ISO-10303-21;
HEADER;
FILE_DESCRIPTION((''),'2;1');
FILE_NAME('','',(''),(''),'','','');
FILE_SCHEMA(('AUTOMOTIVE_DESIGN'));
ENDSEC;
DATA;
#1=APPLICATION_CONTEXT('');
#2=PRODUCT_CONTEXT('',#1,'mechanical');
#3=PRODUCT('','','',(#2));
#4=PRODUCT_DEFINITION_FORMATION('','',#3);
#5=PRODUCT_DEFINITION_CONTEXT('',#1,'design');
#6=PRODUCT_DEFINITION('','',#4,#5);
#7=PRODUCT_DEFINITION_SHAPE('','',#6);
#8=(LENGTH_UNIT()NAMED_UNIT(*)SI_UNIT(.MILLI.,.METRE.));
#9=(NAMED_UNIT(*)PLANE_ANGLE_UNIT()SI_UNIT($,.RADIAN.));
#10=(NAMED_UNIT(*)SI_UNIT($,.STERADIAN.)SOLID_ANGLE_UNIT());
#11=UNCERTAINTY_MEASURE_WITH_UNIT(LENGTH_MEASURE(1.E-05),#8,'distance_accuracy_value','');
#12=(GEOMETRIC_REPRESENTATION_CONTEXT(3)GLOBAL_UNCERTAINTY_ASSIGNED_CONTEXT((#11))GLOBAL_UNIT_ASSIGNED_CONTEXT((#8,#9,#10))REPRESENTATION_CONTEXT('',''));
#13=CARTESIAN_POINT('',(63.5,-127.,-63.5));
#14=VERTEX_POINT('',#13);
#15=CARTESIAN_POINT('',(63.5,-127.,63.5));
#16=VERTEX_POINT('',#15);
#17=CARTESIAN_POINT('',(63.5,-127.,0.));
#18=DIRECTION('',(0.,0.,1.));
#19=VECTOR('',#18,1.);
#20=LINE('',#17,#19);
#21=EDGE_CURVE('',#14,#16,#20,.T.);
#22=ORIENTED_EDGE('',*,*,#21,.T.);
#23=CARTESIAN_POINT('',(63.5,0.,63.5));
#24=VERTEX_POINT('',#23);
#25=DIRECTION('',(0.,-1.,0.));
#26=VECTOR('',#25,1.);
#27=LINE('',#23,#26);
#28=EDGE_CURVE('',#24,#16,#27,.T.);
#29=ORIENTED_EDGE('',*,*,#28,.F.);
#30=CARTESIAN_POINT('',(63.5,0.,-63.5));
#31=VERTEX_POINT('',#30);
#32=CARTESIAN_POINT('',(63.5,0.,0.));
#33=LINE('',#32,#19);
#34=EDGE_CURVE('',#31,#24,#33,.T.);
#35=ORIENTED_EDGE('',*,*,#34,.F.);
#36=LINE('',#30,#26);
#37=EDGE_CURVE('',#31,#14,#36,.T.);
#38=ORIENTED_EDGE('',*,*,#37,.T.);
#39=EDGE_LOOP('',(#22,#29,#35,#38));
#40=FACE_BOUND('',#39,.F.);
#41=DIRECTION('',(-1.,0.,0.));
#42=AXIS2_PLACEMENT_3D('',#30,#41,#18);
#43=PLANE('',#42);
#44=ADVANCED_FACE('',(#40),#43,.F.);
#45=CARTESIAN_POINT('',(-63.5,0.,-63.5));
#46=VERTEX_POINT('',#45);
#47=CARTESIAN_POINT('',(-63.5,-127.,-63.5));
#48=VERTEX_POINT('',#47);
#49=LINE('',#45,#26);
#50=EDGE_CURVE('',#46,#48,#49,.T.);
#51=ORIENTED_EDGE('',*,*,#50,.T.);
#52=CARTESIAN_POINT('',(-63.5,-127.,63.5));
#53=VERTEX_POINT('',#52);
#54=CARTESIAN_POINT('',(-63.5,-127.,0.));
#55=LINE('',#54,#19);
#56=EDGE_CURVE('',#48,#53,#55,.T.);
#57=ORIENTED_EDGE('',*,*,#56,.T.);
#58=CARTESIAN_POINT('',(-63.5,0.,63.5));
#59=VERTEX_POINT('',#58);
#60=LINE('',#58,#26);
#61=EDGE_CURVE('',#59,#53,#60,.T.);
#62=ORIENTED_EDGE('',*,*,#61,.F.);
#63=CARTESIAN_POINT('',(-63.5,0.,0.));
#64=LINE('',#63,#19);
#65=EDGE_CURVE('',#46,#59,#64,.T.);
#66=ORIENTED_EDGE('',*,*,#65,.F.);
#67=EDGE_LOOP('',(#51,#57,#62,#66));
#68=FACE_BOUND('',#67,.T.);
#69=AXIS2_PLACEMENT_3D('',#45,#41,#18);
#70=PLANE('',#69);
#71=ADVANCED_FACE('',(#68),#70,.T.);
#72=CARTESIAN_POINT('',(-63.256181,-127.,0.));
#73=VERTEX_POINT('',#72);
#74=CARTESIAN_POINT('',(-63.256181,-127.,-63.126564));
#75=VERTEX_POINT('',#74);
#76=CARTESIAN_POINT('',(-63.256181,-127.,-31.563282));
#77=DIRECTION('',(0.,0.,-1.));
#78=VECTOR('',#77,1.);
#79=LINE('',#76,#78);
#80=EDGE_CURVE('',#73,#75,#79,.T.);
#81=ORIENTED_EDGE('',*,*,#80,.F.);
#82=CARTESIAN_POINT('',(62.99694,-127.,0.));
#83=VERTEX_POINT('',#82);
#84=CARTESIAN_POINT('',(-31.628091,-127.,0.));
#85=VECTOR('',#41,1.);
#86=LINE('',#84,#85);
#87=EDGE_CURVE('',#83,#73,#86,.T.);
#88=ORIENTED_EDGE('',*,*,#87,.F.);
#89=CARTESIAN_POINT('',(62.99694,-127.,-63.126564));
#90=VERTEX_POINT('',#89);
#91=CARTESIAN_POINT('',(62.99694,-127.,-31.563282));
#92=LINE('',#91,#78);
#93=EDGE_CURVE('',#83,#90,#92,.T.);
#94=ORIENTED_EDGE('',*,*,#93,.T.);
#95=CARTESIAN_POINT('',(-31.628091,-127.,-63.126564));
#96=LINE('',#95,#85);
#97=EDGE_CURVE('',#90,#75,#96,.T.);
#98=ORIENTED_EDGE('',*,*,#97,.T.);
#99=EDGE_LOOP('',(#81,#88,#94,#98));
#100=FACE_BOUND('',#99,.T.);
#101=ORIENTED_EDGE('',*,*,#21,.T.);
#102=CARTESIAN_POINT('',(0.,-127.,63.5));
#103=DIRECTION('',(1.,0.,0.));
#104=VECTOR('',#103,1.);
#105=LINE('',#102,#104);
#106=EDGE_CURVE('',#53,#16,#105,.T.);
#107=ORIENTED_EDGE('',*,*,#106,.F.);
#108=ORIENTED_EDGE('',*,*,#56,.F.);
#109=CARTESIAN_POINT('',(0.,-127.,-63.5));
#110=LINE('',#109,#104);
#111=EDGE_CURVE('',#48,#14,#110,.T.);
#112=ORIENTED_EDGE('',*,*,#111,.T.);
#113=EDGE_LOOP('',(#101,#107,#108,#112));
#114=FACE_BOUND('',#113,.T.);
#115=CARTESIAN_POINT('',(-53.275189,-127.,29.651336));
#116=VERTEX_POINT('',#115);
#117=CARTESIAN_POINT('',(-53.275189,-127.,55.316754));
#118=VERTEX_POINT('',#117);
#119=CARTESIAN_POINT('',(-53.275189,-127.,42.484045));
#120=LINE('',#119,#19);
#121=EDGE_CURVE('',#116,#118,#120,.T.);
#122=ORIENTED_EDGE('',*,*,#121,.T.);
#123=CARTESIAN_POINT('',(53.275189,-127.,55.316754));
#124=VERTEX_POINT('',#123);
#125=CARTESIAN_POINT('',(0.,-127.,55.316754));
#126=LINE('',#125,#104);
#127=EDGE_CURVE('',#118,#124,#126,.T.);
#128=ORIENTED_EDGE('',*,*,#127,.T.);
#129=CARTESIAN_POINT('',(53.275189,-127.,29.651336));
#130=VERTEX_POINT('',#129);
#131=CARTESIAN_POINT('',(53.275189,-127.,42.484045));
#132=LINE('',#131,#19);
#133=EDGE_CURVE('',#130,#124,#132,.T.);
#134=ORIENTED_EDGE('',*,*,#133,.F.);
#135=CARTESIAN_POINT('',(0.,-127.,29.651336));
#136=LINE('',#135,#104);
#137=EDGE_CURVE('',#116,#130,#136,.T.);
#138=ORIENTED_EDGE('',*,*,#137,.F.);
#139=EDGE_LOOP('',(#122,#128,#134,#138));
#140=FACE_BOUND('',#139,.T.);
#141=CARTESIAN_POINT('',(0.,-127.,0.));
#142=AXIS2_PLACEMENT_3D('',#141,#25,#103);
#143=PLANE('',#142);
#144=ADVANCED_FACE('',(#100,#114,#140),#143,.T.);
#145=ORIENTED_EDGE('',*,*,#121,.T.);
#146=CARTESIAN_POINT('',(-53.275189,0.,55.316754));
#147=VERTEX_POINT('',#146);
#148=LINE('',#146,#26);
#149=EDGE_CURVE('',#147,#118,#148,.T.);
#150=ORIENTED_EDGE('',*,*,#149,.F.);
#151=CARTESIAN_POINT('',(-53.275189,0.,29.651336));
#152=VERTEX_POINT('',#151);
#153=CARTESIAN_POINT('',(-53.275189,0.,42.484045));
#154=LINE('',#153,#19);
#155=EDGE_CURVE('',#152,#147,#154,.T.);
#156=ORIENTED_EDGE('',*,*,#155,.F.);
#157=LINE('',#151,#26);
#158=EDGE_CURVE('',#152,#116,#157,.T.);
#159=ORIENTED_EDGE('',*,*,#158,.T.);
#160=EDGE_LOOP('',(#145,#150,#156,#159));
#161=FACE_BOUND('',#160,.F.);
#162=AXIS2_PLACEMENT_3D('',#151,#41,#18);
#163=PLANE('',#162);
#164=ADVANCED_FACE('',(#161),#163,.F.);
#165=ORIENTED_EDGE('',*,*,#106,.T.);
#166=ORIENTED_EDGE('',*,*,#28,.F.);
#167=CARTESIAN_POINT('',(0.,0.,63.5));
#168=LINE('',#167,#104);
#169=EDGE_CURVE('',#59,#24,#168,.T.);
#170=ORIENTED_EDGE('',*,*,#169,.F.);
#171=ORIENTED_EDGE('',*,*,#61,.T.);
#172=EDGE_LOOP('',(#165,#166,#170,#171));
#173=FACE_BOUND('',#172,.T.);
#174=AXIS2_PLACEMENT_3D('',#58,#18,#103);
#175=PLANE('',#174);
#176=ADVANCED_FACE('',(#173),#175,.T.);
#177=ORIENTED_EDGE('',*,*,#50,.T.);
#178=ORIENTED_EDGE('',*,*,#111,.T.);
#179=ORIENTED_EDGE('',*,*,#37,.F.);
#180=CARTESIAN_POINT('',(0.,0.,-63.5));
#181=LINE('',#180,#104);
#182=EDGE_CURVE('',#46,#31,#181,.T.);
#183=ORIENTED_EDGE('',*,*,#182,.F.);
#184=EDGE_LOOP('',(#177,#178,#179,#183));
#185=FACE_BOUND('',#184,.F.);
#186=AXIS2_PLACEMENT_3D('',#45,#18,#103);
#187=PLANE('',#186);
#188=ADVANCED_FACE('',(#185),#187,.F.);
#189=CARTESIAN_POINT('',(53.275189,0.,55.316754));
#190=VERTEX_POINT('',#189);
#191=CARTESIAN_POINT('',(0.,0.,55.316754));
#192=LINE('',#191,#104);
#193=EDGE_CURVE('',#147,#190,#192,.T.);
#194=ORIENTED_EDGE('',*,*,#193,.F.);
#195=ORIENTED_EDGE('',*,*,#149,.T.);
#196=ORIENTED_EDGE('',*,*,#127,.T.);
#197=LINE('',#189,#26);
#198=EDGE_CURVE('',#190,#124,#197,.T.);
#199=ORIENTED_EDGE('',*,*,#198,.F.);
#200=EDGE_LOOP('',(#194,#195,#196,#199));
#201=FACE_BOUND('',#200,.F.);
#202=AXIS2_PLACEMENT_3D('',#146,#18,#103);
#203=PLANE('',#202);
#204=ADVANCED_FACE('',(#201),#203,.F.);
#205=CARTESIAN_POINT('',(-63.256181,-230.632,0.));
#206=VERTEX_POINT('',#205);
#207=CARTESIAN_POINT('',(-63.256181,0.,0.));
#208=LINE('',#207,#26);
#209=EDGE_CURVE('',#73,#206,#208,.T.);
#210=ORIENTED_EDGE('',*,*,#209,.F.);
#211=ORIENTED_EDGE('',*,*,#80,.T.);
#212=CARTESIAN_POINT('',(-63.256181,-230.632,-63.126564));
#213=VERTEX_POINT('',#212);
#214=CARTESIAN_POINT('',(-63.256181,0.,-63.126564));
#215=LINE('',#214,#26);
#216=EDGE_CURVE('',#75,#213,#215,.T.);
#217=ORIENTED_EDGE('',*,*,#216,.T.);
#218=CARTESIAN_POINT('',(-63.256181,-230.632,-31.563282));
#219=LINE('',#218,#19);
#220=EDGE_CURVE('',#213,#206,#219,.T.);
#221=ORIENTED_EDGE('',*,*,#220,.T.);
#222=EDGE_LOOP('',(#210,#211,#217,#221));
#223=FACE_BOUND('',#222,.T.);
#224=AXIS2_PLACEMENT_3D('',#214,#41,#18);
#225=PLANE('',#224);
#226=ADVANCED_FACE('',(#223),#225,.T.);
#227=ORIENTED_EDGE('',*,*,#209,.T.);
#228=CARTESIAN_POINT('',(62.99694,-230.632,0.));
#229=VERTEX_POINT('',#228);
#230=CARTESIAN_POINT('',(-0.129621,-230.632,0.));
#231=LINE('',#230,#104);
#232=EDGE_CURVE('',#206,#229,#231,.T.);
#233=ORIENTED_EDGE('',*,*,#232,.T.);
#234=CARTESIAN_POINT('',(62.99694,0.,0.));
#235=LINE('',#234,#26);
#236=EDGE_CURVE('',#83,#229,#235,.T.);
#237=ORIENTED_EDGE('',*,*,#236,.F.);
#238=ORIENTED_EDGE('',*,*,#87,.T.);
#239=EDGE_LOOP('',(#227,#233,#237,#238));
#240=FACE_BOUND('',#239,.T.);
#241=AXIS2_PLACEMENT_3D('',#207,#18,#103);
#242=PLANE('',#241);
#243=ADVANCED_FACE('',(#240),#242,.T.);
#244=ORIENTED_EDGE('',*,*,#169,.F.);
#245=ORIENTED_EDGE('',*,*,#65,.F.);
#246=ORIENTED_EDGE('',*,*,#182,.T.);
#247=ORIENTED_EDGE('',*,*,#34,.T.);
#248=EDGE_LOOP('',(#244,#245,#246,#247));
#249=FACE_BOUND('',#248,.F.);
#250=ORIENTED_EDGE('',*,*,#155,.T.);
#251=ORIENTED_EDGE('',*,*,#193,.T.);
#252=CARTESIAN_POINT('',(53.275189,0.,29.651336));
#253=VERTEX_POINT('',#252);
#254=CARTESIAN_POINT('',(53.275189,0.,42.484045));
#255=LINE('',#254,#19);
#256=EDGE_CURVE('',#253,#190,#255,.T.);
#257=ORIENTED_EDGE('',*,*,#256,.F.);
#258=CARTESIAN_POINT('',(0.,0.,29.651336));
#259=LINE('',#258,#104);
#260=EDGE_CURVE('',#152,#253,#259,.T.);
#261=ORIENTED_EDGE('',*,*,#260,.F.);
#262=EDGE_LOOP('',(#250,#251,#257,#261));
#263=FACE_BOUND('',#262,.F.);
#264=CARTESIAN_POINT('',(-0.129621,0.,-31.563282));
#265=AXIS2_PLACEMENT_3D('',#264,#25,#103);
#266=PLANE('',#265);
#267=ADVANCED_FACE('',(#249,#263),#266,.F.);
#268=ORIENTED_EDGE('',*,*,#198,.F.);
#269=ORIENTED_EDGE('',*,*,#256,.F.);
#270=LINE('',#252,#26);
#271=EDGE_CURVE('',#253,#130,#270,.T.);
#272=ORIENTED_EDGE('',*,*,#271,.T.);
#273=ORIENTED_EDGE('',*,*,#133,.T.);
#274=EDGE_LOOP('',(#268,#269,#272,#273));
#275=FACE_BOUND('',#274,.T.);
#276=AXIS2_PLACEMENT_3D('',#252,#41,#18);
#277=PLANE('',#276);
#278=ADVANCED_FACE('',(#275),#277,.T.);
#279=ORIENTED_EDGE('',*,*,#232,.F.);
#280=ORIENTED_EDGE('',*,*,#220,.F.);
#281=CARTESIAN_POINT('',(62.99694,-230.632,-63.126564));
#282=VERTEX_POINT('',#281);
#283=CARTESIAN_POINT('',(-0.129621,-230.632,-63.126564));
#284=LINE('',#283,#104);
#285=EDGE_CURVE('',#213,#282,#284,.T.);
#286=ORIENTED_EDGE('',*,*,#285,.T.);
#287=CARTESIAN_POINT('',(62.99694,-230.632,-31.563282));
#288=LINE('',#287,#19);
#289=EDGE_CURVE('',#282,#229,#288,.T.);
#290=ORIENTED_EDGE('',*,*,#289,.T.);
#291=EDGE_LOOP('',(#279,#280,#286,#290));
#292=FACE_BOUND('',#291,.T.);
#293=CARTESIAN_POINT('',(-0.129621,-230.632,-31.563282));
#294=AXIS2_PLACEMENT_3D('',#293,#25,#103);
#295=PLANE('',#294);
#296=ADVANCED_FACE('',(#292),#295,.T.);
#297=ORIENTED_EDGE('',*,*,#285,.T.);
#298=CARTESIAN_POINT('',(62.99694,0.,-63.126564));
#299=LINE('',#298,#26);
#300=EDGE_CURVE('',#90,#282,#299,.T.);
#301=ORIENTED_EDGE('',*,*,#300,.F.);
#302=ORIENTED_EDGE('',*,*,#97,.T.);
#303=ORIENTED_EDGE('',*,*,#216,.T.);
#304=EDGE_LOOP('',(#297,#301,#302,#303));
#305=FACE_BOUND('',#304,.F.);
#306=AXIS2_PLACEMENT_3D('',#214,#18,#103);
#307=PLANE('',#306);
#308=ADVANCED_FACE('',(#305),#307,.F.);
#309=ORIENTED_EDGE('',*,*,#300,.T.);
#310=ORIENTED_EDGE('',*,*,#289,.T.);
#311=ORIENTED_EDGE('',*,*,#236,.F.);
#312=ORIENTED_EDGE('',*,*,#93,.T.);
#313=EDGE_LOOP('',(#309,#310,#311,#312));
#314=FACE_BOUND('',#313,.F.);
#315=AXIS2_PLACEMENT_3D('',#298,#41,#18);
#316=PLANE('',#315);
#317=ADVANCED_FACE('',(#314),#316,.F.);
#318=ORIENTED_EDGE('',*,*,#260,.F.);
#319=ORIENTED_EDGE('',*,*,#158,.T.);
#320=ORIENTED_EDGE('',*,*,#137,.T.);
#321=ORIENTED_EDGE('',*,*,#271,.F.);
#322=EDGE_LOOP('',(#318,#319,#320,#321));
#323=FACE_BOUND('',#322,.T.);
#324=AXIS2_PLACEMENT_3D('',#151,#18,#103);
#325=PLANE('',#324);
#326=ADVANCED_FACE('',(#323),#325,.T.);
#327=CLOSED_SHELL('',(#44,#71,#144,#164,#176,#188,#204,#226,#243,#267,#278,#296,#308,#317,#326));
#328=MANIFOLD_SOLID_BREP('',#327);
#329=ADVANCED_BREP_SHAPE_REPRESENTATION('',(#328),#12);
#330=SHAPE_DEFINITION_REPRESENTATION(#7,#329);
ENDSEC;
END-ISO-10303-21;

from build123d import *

# Parameters (mm, degrees)
F0_W     = 127
F0_H     = 127
F0_W_2   = 106.550378
F0_H_2   = 25.665418
F1_DEPTH = 127
F2_W     = 126.253121
F2_H     = 63.126564
F3_DEPTH = 230.632


with BuildPart() as f1:
    # F0 (on Front) → F1 (new body)
    with BuildSketch(Plane.XZ):
        Rectangle(F0_W, F0_H)
        with Locations((0, 42.484045)):
            Rectangle(F0_W_2, F0_H_2, mode=Mode.SUBTRACT)
    extrude(amount=F1_DEPTH)

    # F2 (on Front) → F3 (join)
    with BuildSketch(Plane.XZ):
        with Locations((-0.129621, -31.563282)):
            Rectangle(F2_W, F2_H)
    extrude(amount=F3_DEPTH)


solid = f1.part
